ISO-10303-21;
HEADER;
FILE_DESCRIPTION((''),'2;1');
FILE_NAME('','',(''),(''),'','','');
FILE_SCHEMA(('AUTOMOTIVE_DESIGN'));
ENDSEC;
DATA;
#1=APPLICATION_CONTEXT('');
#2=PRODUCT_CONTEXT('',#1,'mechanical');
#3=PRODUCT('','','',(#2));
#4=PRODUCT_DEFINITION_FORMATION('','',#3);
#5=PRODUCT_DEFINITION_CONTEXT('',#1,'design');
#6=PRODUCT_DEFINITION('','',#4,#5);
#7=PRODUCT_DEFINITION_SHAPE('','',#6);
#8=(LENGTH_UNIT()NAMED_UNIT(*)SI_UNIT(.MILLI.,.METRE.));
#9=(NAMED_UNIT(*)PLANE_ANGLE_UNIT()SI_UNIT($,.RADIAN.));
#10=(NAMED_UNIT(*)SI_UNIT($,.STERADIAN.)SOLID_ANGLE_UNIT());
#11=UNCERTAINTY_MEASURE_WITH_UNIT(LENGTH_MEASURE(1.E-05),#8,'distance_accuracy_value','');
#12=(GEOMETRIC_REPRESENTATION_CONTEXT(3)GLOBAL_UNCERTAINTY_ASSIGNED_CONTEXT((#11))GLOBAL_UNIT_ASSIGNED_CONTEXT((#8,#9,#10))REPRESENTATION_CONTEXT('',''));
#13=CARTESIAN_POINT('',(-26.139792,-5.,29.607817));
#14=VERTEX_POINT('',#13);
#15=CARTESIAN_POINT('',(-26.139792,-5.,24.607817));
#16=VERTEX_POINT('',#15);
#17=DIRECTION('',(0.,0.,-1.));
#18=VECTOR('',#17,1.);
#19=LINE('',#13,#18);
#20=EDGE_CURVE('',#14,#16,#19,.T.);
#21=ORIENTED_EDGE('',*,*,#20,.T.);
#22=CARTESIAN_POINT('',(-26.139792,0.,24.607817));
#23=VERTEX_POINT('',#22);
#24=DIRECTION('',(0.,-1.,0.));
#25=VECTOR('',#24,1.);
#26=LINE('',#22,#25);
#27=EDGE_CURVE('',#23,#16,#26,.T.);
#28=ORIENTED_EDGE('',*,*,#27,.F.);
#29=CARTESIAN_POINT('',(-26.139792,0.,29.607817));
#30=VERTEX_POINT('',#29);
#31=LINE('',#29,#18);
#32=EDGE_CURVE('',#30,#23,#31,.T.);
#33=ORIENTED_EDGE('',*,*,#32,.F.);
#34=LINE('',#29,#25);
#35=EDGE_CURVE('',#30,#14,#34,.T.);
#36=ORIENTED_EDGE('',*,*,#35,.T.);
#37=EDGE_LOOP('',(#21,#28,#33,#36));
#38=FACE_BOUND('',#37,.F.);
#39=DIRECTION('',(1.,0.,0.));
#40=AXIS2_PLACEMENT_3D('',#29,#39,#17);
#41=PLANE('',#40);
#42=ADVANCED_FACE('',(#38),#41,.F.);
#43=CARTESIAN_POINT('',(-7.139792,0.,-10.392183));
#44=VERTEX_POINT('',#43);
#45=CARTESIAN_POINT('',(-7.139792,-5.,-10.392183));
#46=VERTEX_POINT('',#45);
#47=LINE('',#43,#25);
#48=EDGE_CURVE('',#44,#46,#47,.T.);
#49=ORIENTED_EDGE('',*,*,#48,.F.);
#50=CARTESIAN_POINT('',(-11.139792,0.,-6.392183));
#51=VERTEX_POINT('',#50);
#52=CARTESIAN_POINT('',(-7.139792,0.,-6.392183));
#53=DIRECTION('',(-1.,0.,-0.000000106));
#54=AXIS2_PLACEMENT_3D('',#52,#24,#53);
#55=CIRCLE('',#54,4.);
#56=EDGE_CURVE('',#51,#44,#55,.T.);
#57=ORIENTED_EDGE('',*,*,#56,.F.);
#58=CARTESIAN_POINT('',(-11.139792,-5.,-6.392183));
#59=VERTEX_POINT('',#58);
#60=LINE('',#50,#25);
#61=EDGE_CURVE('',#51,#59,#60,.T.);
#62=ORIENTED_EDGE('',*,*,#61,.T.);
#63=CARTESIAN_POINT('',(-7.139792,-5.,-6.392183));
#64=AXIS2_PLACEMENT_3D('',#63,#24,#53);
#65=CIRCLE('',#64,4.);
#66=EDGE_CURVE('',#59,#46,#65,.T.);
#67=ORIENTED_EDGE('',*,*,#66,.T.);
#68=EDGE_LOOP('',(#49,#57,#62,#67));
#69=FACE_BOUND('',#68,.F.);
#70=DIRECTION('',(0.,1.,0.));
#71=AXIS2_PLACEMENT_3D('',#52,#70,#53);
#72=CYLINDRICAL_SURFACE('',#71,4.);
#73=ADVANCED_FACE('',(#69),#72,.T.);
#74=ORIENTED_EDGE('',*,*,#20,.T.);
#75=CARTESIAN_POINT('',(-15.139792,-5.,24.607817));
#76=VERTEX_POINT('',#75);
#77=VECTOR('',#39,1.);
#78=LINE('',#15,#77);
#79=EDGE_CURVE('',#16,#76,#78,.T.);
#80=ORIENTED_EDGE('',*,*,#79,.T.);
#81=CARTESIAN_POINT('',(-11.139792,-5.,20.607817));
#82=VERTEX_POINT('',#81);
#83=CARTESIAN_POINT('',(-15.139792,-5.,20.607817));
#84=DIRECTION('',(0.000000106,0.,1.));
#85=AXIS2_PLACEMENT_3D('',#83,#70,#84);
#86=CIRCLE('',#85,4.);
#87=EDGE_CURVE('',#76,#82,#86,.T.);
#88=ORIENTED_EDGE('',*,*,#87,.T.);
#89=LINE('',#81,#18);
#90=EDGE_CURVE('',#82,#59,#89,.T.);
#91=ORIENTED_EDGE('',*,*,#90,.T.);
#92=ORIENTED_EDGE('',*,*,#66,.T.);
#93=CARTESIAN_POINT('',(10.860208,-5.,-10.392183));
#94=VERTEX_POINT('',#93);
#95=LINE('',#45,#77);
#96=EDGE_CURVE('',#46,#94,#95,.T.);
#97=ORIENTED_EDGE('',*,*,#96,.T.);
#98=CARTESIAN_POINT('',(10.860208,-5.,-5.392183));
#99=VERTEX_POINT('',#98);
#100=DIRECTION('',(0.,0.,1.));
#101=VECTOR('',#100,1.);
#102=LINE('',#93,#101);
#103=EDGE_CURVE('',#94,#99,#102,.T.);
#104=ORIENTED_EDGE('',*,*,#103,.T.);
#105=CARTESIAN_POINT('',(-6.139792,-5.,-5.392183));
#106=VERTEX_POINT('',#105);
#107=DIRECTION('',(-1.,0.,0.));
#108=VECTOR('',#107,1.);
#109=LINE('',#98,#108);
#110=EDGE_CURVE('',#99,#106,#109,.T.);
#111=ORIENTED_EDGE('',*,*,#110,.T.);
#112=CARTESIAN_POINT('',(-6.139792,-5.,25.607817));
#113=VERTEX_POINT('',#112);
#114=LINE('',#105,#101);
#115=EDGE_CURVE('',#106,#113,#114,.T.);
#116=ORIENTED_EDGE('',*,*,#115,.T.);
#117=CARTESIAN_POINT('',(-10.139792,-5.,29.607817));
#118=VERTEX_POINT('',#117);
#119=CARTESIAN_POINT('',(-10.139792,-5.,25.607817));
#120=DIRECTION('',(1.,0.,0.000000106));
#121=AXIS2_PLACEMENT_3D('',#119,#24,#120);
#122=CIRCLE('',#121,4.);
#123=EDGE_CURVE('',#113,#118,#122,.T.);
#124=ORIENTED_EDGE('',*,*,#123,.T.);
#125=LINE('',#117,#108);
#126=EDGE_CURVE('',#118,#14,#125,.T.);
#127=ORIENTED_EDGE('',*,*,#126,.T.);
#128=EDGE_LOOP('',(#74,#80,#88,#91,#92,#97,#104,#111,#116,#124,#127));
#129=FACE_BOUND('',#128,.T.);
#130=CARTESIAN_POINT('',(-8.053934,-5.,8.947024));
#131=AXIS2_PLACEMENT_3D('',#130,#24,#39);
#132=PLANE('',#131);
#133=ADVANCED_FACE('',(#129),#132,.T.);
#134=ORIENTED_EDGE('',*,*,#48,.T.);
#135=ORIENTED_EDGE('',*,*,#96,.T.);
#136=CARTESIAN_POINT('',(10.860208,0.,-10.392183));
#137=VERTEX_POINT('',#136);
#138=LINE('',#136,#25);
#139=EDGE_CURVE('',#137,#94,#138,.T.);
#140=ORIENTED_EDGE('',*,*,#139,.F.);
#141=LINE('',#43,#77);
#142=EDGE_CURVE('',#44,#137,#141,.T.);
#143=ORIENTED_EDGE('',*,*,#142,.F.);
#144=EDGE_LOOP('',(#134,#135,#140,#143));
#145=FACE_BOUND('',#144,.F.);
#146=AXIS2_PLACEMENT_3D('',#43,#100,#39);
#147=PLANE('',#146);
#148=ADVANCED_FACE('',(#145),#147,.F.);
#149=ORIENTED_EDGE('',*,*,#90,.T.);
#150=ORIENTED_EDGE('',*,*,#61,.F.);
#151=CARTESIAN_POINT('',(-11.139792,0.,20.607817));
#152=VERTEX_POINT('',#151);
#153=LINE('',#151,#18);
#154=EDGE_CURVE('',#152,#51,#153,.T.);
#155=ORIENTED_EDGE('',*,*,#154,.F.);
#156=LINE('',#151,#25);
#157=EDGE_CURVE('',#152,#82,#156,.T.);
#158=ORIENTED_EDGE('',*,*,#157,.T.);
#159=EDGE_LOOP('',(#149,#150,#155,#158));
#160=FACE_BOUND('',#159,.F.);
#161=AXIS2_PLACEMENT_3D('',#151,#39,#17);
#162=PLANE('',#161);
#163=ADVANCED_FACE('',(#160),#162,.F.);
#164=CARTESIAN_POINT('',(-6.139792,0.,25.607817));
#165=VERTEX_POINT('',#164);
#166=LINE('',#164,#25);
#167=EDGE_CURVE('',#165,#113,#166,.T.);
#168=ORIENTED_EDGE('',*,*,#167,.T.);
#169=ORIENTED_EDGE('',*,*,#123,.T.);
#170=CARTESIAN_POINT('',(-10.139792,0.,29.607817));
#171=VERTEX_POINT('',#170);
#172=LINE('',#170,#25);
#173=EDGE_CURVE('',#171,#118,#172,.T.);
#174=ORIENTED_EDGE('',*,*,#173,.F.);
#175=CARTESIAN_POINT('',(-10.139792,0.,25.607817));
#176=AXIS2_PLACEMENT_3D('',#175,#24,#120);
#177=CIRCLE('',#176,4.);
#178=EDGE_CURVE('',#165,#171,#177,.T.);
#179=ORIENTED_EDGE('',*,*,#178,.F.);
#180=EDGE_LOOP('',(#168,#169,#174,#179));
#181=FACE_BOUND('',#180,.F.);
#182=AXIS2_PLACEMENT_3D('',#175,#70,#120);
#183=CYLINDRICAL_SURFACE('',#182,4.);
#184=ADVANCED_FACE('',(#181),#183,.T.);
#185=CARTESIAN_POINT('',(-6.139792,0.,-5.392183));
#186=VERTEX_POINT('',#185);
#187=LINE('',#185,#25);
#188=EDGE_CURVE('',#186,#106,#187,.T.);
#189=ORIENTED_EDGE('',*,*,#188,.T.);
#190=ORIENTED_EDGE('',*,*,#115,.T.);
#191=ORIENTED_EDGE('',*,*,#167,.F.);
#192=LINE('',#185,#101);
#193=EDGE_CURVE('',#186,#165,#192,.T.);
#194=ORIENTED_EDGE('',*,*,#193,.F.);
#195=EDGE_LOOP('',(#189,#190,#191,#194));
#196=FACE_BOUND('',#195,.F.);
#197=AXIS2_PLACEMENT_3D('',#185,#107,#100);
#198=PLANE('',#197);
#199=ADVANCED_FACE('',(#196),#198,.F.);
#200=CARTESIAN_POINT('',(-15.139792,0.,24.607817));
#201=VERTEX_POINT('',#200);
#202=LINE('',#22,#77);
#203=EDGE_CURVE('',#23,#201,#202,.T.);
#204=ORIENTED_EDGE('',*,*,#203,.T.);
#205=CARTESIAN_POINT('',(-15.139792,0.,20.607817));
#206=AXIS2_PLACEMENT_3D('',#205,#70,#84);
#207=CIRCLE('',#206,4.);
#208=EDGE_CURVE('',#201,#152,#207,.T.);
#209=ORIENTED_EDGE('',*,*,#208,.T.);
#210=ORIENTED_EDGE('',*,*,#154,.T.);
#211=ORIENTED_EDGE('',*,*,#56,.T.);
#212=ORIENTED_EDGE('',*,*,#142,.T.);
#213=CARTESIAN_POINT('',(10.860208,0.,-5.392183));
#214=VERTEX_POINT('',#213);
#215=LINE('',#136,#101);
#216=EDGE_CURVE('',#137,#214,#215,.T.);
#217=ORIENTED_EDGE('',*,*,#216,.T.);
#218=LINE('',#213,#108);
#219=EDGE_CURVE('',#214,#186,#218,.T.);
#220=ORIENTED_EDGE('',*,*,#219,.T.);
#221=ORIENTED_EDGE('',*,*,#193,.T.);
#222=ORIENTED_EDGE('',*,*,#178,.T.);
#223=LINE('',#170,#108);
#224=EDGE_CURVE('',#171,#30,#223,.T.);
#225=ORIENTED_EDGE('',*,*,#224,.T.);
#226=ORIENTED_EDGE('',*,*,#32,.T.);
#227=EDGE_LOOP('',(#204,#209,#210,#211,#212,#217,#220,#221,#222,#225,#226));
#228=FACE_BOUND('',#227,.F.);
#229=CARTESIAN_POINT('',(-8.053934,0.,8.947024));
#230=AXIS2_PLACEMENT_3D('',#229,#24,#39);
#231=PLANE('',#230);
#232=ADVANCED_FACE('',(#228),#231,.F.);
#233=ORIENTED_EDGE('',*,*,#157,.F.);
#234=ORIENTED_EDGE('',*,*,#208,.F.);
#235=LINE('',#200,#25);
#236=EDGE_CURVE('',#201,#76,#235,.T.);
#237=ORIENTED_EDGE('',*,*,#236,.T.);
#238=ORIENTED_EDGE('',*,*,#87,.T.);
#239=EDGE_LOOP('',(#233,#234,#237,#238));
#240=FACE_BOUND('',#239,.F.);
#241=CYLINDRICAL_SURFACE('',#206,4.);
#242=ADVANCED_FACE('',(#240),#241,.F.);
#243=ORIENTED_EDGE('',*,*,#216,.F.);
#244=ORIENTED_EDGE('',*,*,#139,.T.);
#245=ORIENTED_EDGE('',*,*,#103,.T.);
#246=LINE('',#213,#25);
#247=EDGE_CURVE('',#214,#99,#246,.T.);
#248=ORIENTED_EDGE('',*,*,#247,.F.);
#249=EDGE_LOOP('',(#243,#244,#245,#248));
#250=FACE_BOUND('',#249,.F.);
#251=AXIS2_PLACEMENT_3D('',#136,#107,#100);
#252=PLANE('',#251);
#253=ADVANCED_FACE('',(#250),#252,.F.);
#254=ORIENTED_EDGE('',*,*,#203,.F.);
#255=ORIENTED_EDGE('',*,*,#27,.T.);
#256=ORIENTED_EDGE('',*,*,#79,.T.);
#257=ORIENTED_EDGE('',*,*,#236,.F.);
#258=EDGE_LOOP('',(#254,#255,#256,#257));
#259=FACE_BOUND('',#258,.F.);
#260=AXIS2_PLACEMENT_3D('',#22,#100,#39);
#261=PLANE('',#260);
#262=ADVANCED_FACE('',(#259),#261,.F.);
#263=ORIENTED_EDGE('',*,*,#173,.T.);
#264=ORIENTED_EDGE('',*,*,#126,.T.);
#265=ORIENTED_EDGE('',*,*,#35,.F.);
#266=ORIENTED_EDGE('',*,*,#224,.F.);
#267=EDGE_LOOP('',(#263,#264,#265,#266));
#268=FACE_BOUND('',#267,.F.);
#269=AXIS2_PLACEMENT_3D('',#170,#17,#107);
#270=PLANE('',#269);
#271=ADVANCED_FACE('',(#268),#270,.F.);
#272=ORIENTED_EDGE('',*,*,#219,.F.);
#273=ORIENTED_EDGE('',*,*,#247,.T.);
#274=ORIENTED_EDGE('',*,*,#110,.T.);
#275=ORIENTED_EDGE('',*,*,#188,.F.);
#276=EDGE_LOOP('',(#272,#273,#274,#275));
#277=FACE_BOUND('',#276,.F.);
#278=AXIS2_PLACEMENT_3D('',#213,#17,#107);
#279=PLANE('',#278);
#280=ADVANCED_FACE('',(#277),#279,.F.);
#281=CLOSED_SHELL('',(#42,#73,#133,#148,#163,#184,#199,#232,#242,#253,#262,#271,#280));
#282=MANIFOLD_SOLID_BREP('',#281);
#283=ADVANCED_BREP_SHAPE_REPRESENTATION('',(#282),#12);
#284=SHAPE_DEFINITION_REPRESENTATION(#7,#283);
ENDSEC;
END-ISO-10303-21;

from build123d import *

# Parameters (mm, degrees)
F1_DEPTH = 5


with BuildPart() as f1:
    # F0 (on Front) → F1 (new body)
    with BuildSketch(Plane.XZ):
        with BuildLine():
            Line((-26.139792, 29.607817), (-26.139792, 24.607817))
            Line((-26.139792, 24.607817), (-15.139792, 24.607817))
            ThreePointArc((-15.139792, 24.607817), (-12.311365, 23.436244), (-11.139792, 20.607817))
            Line((-11.139792, 20.607817), (-11.139792, -6.392183))
            ThreePointArc((-11.139792, -6.392183), (-9.968219, -9.22061), (-7.139792, -10.392183))
            Line((-7.139792, -10.392183), (10.860208, -10.392183))
            Line((10.860208, -10.392183), (10.860208, -5.392183))
            Line((10.860208, -5.392183), (-6.139792, -5.392183))
            Line((-6.139792, -5.392183), (-6.139792, 25.607817))
            ThreePointArc((-6.139792, 25.607817), (-7.311365, 28.436244), (-10.139792, 29.607817))
            Line((-10.139792, 29.607817), (-26.139792, 29.607817))
        make_face()
    extrude(amount=F1_DEPTH)


solid = f1.part
